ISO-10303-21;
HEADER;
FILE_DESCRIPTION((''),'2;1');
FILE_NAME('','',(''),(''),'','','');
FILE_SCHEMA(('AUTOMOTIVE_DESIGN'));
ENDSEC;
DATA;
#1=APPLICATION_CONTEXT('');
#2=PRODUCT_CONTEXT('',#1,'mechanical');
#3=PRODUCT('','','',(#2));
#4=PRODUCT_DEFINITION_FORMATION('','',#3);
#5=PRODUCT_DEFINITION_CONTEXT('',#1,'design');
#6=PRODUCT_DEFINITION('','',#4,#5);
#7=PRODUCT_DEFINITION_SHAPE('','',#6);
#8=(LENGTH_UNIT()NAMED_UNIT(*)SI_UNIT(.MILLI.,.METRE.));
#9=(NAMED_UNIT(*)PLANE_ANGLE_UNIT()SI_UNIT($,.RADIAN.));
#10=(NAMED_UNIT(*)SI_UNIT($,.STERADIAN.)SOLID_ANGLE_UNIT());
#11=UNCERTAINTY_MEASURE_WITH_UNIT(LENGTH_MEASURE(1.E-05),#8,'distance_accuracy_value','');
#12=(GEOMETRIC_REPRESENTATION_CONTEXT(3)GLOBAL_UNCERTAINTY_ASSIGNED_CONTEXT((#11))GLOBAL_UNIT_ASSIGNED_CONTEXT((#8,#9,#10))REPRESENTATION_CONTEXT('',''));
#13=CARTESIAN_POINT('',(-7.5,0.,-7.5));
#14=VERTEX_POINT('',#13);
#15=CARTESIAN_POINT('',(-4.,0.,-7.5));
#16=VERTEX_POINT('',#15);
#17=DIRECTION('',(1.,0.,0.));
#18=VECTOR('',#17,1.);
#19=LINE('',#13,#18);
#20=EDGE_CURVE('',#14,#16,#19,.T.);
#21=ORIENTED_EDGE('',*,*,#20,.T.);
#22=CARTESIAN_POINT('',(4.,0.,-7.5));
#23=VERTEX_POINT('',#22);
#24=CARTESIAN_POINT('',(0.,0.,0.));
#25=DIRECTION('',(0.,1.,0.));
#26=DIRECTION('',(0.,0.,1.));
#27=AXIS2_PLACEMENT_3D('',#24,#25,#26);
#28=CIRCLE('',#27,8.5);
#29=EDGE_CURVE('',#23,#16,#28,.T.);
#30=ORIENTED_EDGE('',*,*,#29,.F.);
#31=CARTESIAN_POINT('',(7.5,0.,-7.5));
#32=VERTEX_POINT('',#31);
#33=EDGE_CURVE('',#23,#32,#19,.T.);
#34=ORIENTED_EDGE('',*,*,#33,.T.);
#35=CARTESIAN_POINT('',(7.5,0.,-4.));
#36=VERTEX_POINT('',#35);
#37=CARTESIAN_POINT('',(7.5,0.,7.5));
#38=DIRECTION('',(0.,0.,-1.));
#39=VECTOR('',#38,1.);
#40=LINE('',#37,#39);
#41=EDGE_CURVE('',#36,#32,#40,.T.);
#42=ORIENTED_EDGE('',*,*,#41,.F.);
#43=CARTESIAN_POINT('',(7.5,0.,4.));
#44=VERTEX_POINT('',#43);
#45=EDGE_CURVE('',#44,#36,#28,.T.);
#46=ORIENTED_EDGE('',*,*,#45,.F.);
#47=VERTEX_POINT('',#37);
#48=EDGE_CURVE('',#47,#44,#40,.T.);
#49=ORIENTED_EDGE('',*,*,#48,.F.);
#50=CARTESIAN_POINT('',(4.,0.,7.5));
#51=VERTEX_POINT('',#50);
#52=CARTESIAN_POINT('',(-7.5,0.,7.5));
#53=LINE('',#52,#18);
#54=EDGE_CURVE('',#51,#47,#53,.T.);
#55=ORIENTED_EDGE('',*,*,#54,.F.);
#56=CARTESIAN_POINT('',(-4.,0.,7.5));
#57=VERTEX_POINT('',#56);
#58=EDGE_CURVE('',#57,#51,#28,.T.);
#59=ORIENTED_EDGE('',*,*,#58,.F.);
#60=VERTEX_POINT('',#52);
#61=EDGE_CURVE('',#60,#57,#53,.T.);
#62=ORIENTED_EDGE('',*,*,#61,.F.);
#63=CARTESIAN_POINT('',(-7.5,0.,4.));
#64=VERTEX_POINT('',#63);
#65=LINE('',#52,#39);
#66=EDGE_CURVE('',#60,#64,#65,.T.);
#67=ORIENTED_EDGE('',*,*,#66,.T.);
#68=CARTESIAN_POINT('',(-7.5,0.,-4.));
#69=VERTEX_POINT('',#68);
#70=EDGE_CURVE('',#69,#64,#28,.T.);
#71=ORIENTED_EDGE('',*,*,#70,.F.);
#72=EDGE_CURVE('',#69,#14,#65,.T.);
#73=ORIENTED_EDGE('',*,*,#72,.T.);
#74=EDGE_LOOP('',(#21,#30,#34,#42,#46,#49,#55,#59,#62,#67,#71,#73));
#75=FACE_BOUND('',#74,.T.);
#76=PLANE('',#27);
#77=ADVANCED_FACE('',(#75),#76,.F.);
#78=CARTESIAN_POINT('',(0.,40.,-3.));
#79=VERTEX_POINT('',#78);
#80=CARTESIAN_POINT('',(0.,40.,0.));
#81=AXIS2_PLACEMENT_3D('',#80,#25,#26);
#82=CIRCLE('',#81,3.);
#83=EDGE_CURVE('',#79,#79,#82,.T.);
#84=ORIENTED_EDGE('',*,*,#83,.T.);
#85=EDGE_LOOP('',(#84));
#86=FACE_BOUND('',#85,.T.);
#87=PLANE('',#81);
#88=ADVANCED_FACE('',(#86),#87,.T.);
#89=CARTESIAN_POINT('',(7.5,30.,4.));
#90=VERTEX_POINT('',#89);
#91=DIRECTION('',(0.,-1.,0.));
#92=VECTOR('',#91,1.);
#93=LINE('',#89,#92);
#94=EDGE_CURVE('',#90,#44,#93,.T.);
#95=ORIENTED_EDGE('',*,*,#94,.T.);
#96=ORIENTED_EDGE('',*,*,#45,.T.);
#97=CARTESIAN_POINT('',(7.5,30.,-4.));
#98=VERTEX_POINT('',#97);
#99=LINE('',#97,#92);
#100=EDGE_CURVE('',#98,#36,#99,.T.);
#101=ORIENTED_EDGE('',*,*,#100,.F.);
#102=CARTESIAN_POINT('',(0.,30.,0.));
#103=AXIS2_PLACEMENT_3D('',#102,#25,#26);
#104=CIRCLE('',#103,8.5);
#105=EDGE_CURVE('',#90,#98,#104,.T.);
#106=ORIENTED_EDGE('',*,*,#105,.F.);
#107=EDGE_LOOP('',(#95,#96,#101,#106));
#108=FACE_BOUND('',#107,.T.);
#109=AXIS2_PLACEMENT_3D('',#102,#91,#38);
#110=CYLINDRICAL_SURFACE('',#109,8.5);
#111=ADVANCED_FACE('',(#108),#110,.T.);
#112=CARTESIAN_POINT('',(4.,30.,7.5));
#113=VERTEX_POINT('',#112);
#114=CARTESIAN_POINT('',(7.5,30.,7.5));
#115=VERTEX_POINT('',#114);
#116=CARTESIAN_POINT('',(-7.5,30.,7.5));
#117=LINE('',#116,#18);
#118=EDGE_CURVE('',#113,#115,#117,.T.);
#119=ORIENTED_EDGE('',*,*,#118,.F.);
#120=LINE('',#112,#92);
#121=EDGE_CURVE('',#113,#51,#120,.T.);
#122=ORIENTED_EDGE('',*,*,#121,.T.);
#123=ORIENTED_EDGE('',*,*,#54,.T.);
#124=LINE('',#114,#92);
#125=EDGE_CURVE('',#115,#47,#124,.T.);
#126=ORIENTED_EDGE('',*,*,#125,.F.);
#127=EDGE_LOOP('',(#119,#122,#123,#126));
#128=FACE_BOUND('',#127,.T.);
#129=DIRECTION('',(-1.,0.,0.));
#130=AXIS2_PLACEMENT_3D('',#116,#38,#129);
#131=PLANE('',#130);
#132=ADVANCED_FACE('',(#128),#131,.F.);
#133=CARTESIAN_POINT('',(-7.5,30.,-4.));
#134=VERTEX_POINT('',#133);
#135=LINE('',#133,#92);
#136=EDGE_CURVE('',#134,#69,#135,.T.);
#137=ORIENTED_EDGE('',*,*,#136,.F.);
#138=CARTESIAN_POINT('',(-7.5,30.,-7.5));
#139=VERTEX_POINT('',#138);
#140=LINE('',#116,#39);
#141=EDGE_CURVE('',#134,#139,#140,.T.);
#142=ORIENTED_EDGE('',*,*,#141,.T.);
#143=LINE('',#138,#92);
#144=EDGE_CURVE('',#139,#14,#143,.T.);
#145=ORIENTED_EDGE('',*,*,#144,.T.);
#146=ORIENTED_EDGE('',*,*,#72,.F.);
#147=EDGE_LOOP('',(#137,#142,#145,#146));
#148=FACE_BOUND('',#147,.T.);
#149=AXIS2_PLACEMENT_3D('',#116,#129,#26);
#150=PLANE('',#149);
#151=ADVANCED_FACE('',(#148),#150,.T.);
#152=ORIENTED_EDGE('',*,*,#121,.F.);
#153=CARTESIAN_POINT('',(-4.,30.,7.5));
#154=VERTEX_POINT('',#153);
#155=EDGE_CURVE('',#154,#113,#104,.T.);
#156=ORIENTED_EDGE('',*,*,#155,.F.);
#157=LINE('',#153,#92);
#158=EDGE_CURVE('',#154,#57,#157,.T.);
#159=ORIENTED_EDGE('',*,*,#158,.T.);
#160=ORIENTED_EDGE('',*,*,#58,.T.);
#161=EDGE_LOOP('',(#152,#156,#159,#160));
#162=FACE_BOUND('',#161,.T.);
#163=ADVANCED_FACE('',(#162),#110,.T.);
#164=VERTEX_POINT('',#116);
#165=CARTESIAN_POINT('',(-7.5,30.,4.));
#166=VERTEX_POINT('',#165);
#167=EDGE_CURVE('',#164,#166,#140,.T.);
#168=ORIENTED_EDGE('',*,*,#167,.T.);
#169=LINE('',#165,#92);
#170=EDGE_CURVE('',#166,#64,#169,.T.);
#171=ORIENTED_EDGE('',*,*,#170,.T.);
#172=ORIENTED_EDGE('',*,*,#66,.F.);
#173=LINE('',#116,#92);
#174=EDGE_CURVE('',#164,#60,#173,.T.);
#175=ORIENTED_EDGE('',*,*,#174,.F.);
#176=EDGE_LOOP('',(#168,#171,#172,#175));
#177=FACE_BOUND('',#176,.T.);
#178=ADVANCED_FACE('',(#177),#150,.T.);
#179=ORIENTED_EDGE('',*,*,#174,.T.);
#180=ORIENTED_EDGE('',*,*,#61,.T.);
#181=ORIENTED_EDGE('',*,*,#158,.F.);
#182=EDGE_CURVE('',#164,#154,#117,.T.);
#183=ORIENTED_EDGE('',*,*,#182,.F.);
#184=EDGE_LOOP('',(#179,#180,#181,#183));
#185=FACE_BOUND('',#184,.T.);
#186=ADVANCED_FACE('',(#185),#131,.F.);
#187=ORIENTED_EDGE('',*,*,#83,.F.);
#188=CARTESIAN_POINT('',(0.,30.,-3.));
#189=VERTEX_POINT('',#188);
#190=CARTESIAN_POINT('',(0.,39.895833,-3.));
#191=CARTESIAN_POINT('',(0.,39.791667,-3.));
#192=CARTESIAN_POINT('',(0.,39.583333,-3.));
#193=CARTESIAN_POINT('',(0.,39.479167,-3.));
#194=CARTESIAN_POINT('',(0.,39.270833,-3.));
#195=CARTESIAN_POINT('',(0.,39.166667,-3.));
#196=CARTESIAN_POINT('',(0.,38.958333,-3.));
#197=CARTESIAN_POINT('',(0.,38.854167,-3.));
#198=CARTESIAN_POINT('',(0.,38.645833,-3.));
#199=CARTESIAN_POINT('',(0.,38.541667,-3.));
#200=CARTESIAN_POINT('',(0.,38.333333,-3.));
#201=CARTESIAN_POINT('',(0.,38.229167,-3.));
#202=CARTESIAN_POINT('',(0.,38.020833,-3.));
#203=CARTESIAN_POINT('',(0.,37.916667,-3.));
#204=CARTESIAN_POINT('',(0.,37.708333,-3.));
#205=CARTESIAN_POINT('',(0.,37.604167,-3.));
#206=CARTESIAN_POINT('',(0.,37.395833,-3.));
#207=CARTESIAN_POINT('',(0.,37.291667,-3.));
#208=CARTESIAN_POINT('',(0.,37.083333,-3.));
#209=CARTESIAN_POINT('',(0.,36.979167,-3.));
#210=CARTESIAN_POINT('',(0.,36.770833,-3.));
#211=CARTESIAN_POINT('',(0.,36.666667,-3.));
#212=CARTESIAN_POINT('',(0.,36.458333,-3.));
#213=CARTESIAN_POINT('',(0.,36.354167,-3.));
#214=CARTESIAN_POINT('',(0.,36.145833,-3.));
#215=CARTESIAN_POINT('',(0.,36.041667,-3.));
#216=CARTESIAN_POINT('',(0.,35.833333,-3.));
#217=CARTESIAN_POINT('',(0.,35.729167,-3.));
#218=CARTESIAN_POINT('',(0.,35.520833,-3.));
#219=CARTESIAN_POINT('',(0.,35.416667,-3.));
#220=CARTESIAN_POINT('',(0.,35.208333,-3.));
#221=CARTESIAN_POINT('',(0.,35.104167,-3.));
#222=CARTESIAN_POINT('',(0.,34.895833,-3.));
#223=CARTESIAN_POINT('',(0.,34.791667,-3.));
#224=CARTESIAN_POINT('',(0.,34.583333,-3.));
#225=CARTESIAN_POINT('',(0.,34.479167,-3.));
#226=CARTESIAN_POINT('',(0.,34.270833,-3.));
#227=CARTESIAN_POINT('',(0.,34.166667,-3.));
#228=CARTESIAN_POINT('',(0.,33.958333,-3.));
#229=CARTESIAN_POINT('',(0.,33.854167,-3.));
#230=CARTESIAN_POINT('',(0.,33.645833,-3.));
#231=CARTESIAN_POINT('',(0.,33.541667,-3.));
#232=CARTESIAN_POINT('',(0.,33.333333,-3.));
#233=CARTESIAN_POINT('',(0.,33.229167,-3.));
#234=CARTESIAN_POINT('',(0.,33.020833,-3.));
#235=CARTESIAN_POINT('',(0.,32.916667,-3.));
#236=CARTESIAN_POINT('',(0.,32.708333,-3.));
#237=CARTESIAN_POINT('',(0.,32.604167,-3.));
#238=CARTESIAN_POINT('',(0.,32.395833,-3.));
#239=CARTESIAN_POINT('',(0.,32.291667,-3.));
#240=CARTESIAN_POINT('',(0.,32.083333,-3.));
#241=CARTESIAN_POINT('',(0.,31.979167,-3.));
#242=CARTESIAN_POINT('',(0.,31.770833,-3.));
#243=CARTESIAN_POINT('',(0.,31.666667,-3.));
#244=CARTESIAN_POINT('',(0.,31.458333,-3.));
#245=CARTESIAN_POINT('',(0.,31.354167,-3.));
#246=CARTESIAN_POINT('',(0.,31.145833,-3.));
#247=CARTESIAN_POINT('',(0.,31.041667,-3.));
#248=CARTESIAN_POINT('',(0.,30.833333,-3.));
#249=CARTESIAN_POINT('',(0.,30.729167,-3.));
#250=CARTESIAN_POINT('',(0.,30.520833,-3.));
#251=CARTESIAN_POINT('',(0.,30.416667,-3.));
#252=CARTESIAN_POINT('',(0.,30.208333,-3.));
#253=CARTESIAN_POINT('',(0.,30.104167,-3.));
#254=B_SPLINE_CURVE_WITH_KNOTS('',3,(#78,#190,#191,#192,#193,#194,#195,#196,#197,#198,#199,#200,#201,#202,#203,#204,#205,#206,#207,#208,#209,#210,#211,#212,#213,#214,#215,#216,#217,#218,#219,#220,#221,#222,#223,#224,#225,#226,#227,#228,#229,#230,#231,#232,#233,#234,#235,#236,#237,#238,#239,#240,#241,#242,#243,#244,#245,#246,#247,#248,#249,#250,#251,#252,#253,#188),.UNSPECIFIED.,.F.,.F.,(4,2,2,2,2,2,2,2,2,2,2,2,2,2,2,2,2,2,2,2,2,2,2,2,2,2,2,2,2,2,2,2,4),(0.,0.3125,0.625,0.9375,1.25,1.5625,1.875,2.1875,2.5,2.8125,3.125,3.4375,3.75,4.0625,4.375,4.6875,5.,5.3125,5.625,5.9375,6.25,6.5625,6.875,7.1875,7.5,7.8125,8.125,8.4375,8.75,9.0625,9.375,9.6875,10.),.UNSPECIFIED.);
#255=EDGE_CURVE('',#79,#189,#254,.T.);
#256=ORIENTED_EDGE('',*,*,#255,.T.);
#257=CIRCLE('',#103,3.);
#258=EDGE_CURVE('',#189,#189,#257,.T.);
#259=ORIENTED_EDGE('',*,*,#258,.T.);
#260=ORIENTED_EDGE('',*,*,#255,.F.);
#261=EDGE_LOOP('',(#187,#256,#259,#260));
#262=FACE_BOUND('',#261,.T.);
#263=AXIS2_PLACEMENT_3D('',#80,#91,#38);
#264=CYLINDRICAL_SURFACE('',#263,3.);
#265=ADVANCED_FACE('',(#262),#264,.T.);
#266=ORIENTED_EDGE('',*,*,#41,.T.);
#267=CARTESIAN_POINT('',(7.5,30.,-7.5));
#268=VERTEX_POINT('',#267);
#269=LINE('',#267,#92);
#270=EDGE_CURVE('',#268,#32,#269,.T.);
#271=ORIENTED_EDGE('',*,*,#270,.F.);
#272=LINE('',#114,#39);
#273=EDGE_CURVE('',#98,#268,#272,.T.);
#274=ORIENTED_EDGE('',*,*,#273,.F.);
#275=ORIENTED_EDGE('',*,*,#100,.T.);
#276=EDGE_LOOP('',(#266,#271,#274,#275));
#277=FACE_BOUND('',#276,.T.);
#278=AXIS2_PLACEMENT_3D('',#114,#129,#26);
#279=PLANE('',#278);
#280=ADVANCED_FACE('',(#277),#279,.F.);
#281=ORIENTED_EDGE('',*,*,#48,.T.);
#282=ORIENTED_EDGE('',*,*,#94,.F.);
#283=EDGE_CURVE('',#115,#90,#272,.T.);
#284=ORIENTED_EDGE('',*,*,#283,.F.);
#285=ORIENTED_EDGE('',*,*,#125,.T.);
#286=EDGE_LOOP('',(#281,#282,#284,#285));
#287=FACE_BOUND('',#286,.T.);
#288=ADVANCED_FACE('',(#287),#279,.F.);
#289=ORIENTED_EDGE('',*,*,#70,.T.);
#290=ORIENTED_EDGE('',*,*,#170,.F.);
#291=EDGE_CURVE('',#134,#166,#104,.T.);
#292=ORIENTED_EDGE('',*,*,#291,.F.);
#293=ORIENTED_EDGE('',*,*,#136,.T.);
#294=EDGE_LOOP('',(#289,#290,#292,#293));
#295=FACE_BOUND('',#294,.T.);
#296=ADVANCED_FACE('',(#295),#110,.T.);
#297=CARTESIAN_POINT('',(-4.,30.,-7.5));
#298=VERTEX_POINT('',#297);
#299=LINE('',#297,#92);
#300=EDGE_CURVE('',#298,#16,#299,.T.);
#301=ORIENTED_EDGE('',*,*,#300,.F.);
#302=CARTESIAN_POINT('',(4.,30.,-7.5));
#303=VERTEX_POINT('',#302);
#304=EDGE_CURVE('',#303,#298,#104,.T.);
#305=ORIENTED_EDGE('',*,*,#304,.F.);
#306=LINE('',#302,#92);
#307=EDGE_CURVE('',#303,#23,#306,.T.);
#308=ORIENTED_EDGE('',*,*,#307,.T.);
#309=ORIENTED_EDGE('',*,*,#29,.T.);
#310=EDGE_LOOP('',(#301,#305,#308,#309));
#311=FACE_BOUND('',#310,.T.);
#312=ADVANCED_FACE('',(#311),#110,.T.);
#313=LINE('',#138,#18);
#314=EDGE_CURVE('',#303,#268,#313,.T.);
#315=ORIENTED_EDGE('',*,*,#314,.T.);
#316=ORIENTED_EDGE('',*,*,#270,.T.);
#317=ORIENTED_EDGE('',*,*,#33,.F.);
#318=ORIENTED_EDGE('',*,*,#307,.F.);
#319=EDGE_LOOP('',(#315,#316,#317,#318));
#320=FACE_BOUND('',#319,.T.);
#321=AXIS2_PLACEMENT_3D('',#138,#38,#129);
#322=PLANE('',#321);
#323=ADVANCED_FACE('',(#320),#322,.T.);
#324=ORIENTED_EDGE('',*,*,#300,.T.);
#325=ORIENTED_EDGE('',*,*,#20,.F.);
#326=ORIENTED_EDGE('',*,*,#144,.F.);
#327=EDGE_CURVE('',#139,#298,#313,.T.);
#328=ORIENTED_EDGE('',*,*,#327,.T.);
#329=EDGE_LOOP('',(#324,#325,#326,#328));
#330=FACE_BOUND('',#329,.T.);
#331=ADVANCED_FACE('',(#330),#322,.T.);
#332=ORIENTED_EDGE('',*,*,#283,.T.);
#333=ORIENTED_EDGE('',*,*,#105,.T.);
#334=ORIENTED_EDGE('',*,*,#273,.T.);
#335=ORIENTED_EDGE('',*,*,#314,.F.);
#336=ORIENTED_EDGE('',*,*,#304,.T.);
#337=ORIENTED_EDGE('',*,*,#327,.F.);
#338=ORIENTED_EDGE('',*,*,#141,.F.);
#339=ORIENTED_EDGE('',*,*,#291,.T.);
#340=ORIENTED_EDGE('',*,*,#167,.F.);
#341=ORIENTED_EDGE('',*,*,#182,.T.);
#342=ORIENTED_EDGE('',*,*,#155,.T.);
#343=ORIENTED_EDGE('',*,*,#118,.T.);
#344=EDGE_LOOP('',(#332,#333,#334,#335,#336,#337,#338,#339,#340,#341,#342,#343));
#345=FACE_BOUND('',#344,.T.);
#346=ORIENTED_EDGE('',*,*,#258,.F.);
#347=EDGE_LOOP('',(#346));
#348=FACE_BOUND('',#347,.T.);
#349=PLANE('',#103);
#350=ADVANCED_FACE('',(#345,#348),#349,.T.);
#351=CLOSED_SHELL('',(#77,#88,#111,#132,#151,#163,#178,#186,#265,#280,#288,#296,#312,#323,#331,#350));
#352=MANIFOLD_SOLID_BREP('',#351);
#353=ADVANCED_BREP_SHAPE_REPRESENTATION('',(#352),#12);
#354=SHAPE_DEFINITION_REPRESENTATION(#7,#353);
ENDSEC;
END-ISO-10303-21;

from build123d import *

# Parameters (mm, degrees)
SKETCH1_R           = 8.5
SKETCH1_W           = 15
SKETCH1_H           = 15
BOSS_EXTRUDE1_DEPTH = 30
SKETCH2_R           = 3
BOSS_EXTRUDE2_DEPTH = 10


with BuildPart() as part:
    # Sketch1 → Boss-Extrude1 (new body)
    with BuildSketch(Plane(origin=(0, 0, 0), x_dir=(1, 0, 0), z_dir=(0, 1, 0))):
        Circle(SKETCH1_R)
        Rectangle(SKETCH1_W, SKETCH1_H)
    extrude(amount=BOSS_EXTRUDE1_DEPTH)

    # Sketch2 → Boss-Extrude2 (add)
    with BuildSketch(Plane(origin=(0, 30, 0), x_dir=(1, 0, 0), z_dir=(0, 1, 0))):
        with Locations(Location((0, 0, 0), (0, 0, 90))):
            Circle(SKETCH2_R)
    extrude(amount=BOSS_EXTRUDE2_DEPTH)


solid = part.part
